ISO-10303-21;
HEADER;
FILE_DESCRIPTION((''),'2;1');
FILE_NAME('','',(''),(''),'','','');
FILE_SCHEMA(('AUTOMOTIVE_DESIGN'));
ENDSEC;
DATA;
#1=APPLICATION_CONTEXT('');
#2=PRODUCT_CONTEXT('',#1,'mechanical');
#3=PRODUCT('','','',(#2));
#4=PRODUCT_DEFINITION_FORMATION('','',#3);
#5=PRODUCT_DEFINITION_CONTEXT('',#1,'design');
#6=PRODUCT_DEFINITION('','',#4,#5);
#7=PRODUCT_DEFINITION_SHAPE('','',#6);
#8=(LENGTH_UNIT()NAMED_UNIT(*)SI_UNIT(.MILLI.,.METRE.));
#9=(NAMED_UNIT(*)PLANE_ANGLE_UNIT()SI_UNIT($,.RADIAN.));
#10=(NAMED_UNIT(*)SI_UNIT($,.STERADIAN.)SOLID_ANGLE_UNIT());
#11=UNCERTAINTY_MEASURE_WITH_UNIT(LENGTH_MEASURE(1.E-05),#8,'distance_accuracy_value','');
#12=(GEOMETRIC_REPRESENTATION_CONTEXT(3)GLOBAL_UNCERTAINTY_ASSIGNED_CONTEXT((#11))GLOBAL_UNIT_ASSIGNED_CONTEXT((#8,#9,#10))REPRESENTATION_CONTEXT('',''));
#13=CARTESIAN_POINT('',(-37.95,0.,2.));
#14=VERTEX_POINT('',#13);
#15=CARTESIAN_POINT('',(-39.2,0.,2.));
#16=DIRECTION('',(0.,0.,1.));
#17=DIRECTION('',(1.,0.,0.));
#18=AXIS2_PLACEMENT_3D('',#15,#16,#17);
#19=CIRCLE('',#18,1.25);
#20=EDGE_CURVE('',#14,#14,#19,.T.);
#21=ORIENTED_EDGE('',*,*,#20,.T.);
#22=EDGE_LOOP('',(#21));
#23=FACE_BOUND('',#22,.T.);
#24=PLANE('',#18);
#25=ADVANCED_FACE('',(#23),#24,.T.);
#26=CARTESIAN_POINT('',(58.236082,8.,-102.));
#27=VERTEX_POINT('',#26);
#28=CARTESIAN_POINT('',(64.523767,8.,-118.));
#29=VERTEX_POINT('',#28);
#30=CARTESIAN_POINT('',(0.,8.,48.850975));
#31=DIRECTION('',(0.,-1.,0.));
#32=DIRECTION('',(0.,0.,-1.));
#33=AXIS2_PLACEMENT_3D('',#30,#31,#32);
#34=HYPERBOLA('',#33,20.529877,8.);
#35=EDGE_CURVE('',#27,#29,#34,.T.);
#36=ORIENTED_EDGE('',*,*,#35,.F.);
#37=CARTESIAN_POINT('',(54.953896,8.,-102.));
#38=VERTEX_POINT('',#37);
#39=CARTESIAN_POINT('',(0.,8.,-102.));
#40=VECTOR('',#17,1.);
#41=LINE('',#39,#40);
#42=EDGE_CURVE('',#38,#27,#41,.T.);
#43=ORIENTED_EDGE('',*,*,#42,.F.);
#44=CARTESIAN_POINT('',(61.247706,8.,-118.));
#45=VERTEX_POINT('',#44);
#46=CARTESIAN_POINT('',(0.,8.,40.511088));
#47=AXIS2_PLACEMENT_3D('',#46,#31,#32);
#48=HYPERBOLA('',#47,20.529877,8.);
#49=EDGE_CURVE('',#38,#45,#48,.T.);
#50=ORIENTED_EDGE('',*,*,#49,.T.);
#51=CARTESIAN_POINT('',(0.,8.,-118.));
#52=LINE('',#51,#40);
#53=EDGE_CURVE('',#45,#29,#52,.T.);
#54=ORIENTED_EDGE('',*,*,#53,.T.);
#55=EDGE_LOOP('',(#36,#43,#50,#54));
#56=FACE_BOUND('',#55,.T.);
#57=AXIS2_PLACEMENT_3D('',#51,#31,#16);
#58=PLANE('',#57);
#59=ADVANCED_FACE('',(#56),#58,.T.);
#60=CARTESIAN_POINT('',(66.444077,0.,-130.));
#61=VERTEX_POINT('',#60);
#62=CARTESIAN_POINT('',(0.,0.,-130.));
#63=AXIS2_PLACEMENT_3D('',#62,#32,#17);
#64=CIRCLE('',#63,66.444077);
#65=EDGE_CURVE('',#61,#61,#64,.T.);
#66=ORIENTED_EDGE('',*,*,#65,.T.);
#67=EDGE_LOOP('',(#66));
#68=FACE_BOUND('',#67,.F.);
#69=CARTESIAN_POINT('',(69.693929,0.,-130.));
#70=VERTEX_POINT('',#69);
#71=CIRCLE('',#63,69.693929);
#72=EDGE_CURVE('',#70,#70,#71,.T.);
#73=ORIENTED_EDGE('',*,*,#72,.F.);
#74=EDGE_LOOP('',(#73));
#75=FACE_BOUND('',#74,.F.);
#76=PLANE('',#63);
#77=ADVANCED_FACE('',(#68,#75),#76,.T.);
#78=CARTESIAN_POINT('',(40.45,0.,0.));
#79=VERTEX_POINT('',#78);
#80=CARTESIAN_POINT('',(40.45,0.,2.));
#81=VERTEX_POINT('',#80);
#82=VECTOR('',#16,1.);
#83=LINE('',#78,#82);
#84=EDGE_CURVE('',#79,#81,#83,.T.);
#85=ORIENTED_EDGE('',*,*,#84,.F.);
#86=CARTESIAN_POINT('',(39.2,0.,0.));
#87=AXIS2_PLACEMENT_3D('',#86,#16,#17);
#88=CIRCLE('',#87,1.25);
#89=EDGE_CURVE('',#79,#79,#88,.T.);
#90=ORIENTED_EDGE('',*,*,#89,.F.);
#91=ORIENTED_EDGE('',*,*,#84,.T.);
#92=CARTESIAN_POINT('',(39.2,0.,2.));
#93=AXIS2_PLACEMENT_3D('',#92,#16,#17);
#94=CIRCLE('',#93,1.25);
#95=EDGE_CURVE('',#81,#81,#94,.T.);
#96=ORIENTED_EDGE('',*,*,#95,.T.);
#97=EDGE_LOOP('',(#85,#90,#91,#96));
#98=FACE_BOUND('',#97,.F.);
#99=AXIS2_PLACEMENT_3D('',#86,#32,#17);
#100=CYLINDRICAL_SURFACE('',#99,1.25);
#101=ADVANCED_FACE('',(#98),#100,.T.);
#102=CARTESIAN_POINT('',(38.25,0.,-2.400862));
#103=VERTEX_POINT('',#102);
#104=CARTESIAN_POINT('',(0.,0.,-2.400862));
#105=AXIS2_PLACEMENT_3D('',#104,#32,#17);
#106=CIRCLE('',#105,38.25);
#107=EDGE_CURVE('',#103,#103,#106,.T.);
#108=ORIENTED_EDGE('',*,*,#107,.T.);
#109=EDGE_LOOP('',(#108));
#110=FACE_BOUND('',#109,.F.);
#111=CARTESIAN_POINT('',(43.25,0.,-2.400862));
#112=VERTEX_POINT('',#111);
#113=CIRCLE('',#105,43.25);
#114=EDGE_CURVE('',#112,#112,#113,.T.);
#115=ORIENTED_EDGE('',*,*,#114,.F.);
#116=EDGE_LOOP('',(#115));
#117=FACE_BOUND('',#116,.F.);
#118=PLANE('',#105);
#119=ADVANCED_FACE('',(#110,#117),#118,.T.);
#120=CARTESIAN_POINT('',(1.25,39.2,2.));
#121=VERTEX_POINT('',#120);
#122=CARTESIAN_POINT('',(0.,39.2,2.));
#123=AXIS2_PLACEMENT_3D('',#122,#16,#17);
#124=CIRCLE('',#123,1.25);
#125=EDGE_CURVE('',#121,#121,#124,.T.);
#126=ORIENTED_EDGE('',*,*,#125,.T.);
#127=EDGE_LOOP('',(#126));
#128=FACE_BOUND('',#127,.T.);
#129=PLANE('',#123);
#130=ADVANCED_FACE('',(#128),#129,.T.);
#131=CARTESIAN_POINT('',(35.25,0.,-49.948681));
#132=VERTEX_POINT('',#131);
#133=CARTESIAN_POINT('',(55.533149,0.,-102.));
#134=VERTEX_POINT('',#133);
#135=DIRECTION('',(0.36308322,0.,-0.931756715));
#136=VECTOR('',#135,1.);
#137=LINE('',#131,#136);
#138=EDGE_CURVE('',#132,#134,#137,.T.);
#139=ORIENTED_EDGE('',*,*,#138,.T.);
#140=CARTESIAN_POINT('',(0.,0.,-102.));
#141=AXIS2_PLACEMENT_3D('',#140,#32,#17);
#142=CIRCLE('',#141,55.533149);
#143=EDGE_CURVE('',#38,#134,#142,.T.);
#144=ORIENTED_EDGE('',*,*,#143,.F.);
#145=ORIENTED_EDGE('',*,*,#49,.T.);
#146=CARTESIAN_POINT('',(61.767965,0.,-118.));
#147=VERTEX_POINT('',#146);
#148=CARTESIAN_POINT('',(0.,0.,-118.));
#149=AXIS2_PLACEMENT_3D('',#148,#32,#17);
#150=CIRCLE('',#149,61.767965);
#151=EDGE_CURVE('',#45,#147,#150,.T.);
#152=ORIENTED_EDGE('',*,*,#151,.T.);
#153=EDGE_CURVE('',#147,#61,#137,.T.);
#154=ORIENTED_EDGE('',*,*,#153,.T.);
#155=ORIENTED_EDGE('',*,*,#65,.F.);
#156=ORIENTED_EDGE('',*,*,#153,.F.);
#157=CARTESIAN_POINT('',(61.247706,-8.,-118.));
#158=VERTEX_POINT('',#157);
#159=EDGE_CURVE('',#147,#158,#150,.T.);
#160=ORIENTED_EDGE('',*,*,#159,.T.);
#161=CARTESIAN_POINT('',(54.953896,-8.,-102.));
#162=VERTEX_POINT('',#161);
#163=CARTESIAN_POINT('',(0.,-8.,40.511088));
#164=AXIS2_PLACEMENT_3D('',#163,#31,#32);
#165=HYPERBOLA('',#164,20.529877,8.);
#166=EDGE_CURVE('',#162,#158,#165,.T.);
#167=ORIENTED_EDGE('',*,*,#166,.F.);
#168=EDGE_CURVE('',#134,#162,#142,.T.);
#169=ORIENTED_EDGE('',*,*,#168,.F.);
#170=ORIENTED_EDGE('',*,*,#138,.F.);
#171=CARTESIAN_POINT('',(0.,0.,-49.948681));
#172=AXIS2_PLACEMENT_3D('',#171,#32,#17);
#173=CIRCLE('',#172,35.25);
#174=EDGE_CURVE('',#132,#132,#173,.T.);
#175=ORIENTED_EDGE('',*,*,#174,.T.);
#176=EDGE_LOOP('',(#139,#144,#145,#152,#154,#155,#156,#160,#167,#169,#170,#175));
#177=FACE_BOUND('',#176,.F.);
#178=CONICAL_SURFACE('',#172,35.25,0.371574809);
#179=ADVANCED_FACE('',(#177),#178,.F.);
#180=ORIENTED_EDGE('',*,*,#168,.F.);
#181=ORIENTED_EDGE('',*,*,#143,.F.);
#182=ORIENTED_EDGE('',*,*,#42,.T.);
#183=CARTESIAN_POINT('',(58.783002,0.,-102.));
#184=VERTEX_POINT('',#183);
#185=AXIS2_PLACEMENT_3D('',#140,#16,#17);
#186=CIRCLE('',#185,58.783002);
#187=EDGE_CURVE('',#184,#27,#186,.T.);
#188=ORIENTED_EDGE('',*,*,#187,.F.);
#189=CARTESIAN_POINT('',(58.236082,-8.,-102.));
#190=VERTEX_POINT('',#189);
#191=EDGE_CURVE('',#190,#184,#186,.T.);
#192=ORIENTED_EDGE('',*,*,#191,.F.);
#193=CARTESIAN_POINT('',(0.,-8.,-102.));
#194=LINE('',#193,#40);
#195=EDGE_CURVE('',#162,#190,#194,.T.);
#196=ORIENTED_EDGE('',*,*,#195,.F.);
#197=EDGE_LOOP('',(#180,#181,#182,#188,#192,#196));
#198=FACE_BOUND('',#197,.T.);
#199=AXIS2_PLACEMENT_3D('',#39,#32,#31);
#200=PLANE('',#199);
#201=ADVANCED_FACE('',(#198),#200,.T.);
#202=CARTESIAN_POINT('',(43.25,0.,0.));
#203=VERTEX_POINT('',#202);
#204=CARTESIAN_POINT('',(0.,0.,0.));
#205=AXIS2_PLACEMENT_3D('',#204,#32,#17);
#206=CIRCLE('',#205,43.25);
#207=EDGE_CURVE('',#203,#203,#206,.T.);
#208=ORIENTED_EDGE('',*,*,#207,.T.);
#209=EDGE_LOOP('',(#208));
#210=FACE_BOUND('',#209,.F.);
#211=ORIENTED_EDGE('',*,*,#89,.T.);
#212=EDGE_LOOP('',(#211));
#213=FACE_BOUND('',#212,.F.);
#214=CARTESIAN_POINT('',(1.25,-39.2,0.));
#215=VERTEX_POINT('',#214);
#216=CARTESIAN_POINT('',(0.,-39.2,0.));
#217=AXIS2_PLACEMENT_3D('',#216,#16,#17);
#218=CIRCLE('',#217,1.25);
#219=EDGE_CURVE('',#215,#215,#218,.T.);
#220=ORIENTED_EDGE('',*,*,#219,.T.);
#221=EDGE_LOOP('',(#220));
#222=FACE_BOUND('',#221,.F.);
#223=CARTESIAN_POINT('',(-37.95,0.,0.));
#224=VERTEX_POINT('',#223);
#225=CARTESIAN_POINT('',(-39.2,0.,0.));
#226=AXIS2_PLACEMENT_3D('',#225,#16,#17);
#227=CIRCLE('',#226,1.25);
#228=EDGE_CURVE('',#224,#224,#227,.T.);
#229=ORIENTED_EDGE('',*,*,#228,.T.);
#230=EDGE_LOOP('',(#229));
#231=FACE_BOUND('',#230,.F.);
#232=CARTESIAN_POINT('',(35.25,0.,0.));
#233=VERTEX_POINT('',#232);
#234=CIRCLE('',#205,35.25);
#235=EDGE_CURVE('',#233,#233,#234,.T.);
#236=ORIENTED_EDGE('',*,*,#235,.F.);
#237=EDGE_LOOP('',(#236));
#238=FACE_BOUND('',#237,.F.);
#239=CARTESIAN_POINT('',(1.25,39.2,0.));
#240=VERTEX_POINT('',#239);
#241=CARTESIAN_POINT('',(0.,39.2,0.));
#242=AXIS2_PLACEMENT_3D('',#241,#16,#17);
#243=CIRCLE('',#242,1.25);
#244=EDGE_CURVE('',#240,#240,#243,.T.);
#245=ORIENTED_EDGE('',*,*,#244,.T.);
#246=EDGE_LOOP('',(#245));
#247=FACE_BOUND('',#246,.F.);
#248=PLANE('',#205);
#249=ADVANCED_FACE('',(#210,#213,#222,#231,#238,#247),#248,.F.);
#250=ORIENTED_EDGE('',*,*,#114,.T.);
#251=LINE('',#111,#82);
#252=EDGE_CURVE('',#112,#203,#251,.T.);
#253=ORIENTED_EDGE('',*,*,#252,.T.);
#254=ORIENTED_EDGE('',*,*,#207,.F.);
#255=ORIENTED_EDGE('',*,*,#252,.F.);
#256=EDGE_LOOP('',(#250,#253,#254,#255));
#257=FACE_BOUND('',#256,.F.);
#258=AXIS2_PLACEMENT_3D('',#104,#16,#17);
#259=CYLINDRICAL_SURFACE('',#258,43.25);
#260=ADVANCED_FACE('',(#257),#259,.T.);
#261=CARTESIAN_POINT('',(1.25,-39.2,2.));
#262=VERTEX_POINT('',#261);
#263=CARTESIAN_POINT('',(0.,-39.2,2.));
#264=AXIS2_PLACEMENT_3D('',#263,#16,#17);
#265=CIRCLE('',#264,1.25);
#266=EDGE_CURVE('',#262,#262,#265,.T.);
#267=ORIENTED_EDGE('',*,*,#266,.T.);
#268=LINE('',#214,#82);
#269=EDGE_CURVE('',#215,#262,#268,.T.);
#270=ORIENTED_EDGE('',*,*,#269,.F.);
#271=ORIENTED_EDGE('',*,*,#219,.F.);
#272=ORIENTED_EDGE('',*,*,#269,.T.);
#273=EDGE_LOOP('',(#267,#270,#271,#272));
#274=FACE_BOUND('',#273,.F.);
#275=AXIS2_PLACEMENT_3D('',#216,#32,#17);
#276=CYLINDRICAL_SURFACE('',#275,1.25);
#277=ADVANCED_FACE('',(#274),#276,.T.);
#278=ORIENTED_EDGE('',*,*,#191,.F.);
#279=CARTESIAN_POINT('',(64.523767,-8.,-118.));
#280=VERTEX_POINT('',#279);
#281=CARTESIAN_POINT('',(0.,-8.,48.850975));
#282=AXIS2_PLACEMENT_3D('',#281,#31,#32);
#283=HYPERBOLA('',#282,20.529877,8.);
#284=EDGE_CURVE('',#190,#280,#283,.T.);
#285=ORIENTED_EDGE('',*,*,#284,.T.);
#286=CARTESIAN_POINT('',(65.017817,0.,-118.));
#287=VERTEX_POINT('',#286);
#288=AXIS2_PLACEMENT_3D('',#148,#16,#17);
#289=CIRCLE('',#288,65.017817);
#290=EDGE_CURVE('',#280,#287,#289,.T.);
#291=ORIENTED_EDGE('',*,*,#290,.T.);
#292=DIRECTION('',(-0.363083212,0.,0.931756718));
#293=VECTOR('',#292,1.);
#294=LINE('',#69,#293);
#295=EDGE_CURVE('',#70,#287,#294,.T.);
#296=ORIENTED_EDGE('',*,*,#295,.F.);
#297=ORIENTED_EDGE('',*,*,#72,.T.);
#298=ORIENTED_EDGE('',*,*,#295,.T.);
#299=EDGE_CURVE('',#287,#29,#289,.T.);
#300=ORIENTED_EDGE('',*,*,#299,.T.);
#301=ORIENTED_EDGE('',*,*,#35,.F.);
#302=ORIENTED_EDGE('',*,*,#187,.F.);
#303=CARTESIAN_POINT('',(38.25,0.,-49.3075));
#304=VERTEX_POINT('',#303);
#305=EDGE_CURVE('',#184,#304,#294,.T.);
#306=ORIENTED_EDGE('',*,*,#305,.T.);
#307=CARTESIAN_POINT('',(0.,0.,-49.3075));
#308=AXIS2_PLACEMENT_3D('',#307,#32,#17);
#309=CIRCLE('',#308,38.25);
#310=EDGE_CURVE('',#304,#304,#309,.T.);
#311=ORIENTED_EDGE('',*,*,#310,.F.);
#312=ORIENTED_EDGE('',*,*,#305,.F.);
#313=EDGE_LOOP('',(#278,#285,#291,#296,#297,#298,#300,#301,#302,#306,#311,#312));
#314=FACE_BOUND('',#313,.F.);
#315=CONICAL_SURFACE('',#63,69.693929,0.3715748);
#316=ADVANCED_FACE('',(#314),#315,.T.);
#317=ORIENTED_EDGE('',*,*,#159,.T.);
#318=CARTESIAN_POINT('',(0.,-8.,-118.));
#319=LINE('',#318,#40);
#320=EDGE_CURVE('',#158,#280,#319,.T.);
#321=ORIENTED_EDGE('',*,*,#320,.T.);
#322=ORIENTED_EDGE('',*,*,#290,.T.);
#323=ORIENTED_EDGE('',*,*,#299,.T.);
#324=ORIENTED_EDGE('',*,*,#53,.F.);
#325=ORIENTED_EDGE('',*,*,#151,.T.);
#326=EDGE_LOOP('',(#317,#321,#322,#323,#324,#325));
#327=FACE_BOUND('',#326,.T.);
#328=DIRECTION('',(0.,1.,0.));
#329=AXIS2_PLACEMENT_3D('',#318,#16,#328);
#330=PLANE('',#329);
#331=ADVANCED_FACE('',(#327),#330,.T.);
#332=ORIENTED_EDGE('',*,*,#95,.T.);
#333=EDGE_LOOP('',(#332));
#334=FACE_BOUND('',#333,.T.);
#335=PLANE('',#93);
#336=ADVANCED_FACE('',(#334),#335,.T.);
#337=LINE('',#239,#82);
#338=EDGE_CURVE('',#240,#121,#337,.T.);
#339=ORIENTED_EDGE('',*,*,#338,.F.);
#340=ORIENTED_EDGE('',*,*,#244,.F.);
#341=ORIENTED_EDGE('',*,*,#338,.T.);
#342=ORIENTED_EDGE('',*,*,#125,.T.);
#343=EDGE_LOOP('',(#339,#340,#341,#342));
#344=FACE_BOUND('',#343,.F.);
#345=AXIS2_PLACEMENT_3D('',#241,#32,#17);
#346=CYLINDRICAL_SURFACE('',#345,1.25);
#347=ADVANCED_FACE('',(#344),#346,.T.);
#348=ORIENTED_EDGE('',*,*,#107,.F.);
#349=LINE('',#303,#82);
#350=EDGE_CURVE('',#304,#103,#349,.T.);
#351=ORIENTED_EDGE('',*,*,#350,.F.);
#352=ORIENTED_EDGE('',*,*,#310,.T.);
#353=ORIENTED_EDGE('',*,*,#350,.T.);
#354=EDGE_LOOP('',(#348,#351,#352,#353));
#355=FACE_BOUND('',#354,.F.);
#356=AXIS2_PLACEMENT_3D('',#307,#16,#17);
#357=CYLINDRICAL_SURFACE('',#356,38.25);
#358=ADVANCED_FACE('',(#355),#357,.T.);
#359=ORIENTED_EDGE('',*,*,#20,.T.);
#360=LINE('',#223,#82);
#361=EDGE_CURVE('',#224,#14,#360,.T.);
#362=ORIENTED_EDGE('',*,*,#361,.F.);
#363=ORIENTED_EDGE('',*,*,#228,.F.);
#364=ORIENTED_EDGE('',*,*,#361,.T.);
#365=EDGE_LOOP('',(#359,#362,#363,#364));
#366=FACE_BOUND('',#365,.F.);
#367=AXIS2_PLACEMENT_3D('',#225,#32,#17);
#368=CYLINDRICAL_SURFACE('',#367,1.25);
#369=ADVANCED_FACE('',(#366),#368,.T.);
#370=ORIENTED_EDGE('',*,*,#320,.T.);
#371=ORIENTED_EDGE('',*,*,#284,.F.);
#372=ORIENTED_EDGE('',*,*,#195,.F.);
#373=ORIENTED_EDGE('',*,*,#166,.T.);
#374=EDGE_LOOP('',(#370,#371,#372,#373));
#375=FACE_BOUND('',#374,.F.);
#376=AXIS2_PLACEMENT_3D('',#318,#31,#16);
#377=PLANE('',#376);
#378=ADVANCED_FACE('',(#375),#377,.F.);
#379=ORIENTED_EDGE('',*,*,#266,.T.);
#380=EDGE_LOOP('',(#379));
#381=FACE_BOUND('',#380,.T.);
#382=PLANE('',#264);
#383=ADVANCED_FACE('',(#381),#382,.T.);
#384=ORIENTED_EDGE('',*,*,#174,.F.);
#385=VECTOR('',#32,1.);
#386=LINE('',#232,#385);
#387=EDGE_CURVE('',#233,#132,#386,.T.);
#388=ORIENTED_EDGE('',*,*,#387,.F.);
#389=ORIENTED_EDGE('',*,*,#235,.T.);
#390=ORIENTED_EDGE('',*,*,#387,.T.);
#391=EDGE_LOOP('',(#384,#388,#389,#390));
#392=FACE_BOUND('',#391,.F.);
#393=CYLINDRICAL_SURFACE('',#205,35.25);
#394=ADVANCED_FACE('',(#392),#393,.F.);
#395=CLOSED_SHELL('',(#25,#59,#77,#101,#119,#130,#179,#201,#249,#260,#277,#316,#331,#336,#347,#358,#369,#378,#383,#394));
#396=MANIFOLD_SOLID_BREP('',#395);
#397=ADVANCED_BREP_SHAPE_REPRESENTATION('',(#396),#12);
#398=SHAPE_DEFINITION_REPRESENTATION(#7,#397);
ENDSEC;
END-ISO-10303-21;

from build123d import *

# Parameters (mm, degrees)
F2_W     = 8
F2_H     = 16
F3_DEPTH = 77.17437
F4_R     = 1.25
F5_DEPTH = 2


with BuildPart() as f1:
    # F0 (on Front) → F1 (revolve)
    with BuildSketch(Plane.XZ):
        Polygon((43.25, 0), (35.25, 0), (35.25, -49.948681), (66.444077, -130), (69.693929, -130), (38.25, -49.3075), (38.25, -2.400862), (43.25, -2.400862), align=None)
    revolve(axis=Axis((0, 0, -40), (0, 0, -1)))

    # F2 (on Right) → F3 (cut)
    with BuildSketch(Plane.YZ):
        with Locations((-4, -110)):
            Rectangle(F2_W, F2_H)
        with Locations((4, -110)):
            Rectangle(F2_W, F2_H)
    extrude(amount=F3_DEPTH, mode=Mode.SUBTRACT)

    # F4 (on face) → F5 (join)
    with BuildSketch(Plane.XY):
        with Locations((0, 39.2)):
            Circle(F4_R)
        with Locations((-39.2, 0)):
            Circle(F4_R)
        with Locations((0, -39.2)):
            Circle(F4_R)
        with Locations((39.2, 0)):
            Circle(F4_R)
    extrude(amount=F5_DEPTH)


solid = f1.part
